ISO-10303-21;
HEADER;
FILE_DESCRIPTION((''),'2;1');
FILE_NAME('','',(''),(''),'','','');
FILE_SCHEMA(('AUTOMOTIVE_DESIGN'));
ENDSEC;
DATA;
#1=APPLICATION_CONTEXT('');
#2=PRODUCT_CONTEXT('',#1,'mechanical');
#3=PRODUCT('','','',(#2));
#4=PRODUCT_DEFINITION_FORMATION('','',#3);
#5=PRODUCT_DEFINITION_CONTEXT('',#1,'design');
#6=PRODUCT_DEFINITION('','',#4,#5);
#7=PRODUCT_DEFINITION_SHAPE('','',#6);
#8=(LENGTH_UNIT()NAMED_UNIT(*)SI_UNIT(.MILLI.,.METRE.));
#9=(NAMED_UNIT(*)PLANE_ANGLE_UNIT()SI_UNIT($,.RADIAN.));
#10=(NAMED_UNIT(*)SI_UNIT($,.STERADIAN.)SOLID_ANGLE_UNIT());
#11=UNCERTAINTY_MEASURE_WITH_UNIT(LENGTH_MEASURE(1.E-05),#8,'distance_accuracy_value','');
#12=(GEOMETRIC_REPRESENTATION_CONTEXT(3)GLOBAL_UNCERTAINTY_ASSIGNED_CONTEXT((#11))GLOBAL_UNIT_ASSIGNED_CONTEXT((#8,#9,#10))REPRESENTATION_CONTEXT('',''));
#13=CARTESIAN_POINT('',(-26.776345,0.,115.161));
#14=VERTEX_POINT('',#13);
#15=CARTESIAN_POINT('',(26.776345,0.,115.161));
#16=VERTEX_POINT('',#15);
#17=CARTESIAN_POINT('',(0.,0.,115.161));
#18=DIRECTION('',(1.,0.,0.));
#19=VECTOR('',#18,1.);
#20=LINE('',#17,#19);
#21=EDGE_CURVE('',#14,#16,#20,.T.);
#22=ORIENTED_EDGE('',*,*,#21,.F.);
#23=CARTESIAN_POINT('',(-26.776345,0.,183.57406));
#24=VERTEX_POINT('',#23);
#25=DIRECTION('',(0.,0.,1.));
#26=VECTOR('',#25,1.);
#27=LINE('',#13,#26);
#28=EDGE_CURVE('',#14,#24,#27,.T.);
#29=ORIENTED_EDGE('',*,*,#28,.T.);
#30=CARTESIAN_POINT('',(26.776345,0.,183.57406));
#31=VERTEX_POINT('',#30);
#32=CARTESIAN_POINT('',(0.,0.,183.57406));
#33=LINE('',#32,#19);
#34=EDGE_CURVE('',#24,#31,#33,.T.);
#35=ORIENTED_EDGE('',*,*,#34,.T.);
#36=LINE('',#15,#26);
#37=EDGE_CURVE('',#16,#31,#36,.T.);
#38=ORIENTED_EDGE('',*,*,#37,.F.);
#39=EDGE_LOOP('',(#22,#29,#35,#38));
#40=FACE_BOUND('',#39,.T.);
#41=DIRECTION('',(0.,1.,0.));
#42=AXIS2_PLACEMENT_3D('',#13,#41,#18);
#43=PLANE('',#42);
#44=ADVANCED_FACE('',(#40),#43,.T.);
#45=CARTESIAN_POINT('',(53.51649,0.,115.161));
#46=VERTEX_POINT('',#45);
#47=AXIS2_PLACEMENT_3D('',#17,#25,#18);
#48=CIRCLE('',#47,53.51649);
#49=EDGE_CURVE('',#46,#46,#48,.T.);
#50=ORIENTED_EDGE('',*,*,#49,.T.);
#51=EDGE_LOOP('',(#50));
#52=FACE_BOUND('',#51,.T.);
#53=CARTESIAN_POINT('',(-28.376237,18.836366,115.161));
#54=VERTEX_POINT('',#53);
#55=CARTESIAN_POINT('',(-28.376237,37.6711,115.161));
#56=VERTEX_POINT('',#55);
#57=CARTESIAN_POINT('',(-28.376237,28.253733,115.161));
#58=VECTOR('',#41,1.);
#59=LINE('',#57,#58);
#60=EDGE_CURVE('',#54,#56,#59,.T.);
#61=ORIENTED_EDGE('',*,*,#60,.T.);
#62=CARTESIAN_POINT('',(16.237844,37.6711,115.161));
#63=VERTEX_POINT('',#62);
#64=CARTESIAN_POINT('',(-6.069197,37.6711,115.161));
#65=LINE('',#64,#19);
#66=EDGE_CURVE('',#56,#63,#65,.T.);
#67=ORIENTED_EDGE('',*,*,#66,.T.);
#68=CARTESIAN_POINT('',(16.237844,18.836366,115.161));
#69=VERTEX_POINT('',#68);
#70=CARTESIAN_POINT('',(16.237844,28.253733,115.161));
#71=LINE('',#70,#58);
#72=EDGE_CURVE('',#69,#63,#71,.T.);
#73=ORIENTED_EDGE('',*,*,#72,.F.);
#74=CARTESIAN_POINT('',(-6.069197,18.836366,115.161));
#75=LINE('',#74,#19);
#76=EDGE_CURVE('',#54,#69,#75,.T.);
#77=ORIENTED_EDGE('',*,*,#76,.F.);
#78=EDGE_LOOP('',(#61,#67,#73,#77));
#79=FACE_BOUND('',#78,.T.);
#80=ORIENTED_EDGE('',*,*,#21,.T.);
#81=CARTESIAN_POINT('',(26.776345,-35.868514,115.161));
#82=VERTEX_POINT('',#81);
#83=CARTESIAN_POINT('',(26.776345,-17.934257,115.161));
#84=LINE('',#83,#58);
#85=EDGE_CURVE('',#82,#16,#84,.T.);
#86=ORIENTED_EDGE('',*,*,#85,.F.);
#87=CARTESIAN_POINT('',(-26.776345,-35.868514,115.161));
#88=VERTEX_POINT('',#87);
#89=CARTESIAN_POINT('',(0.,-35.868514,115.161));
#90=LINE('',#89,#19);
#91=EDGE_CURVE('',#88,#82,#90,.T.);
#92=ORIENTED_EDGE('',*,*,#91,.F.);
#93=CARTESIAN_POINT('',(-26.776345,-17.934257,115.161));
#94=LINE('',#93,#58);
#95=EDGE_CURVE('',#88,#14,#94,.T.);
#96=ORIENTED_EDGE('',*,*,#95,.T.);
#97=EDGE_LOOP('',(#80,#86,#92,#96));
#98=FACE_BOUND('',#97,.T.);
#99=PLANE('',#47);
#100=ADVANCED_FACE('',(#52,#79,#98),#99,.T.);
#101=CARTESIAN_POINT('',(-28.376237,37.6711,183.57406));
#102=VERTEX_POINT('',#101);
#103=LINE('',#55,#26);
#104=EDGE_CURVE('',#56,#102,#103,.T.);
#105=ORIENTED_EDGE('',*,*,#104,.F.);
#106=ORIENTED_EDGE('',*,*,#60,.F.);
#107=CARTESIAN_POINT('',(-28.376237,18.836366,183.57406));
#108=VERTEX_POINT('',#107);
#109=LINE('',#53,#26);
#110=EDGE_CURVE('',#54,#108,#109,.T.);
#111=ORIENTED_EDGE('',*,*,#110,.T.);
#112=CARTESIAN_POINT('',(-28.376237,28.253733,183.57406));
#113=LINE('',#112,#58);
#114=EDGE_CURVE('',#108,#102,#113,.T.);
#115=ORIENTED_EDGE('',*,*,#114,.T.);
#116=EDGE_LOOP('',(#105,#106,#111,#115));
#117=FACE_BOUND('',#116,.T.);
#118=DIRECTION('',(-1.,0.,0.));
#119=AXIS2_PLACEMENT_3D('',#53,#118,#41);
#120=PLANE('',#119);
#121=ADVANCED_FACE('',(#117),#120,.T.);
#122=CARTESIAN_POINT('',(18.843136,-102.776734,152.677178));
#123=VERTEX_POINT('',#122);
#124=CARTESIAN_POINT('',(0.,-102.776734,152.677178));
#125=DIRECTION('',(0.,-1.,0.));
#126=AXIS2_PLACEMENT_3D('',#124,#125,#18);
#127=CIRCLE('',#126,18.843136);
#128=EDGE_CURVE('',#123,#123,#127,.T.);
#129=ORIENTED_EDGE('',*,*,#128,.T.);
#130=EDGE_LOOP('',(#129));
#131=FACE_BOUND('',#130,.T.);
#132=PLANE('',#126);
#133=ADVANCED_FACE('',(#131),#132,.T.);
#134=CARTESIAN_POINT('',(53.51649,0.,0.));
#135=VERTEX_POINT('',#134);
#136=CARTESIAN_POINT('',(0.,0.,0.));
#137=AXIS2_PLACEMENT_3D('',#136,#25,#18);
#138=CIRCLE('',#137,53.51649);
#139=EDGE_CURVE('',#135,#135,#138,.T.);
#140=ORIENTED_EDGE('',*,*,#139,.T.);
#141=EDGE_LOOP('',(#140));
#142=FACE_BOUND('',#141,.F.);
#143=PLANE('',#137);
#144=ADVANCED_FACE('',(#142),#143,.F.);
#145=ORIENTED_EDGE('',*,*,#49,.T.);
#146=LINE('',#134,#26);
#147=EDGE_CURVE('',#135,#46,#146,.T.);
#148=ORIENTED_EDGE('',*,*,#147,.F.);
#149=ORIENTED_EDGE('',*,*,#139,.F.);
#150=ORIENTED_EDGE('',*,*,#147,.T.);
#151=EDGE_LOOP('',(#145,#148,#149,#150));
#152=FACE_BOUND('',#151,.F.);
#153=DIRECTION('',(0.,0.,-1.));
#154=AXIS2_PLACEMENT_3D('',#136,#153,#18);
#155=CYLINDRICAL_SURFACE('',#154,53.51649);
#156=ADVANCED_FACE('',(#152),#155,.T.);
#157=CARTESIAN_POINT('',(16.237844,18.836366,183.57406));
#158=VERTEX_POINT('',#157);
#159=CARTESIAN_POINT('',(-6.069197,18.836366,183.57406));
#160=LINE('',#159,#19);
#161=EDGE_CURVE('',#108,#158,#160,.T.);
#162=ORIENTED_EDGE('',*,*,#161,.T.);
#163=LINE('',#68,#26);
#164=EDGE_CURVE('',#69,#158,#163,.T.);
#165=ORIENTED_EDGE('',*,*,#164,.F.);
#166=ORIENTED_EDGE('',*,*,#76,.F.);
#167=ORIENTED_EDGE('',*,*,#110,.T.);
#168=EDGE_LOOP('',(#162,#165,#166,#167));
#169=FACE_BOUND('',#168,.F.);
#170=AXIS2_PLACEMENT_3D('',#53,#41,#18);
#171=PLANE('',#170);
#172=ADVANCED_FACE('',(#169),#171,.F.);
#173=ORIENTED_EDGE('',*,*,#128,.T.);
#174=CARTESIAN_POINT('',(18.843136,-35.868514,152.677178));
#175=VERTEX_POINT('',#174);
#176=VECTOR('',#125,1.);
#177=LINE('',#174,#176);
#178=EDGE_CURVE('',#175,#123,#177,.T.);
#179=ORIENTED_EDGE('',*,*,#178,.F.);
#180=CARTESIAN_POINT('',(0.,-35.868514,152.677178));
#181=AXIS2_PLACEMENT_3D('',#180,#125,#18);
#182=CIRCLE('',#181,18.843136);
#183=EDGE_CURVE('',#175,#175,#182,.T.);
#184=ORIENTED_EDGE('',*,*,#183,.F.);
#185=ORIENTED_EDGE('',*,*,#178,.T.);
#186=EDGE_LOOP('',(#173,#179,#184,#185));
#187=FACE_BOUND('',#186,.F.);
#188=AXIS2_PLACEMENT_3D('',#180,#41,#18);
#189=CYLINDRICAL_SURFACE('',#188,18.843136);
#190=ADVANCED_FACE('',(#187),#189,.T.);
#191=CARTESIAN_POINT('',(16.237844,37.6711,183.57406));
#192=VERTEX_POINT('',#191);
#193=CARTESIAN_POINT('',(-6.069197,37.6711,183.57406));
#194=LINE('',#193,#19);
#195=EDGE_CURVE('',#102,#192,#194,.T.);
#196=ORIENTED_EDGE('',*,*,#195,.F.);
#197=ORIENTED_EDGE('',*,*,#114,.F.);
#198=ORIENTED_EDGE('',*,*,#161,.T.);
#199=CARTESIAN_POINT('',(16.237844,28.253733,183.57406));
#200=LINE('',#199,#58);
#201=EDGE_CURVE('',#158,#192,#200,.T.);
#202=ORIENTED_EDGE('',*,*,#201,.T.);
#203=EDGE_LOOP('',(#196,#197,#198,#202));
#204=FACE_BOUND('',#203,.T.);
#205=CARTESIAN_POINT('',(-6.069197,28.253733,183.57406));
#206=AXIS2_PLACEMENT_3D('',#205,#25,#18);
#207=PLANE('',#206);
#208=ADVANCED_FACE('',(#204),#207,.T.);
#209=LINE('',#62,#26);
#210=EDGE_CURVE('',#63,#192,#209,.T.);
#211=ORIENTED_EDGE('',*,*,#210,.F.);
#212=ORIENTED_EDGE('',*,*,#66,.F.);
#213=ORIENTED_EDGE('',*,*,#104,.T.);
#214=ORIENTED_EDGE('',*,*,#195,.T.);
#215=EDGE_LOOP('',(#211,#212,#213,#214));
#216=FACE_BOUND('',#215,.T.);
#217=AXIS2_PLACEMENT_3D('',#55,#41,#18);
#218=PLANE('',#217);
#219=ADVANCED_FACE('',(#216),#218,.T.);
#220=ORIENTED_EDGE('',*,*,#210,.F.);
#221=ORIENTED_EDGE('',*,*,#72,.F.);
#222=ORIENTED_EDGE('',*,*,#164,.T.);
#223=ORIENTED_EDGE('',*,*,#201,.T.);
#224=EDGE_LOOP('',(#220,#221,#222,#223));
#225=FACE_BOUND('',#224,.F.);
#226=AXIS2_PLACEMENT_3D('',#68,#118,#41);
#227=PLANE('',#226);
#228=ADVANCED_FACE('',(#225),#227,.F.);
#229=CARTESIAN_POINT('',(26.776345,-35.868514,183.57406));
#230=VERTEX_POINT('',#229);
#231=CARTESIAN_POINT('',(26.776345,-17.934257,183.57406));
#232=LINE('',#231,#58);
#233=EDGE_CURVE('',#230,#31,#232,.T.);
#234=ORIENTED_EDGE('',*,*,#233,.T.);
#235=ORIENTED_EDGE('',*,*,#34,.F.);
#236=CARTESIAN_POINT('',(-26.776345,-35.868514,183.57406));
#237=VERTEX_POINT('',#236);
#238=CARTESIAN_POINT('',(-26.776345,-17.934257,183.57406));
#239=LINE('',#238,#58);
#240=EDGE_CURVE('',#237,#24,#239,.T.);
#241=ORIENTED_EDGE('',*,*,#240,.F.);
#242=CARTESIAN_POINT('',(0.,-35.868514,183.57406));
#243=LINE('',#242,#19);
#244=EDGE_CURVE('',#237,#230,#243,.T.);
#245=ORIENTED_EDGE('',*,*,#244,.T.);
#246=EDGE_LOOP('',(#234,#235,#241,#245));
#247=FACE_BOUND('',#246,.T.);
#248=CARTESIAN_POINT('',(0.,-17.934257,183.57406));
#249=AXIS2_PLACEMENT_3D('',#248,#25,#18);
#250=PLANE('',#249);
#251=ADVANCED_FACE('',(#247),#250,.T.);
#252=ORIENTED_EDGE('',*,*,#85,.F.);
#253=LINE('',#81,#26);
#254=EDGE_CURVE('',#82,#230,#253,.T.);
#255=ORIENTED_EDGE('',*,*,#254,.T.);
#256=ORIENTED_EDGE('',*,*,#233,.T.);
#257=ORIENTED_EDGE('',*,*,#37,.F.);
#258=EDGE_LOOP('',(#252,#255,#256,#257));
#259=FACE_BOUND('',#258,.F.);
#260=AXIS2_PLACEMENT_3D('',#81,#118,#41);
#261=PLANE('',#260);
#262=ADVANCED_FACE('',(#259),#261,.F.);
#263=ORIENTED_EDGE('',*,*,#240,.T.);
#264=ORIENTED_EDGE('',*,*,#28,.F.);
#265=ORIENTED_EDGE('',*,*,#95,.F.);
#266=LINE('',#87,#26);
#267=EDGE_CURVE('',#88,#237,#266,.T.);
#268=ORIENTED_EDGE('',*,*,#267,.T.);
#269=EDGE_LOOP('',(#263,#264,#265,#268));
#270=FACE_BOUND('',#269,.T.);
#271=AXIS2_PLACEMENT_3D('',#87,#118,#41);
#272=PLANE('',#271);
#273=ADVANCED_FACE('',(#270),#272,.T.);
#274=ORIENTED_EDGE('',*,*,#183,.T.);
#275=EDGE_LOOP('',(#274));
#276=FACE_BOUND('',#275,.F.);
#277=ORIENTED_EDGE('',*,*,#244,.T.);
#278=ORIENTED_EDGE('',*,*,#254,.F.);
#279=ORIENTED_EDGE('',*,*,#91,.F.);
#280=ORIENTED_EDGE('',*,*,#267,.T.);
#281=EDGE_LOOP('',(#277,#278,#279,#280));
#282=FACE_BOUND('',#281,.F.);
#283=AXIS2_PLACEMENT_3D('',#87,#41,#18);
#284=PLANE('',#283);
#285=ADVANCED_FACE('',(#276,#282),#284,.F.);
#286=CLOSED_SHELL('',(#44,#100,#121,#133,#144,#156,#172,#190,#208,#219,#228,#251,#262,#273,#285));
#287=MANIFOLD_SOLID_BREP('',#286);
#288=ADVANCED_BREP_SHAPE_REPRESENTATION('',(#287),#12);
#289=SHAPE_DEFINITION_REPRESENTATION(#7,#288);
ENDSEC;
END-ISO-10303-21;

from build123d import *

# Parameters (mm, degrees)
F0_R     = 53.51649
F1_DEPTH = 115.161
F2_W     = 44.614081
F2_H     = 18.834734
F2_W_2   = 53.55269
F2_H_2   = 35.868514
F3_DEPTH = 68.41306
F4_R     = 18.843136
F5_DEPTH = 66.90822


with BuildPart() as f1:
    # F0 (on Top) → F1 (new body)
    with BuildSketch(Plane.XY):
        Circle(F0_R)
    extrude(amount=F1_DEPTH)

    # F2 (on face) → F3 (join)
    with BuildSketch(Plane.XY.offset(115.161)):
        with Locations((-6.069197, 28.253733)):
            Rectangle(F2_W, F2_H)
        with Locations((0, -17.934257)):
            Rectangle(F2_W_2, F2_H_2)
    extrude(amount=F3_DEPTH)

    # F4 (on face) → F5 (join)
    with BuildSketch(Plane.XZ.offset(35.868514)):
        with Locations((0, 152.677178)):
            Circle(F4_R)
    extrude(amount=F5_DEPTH)


solid = f1.part
